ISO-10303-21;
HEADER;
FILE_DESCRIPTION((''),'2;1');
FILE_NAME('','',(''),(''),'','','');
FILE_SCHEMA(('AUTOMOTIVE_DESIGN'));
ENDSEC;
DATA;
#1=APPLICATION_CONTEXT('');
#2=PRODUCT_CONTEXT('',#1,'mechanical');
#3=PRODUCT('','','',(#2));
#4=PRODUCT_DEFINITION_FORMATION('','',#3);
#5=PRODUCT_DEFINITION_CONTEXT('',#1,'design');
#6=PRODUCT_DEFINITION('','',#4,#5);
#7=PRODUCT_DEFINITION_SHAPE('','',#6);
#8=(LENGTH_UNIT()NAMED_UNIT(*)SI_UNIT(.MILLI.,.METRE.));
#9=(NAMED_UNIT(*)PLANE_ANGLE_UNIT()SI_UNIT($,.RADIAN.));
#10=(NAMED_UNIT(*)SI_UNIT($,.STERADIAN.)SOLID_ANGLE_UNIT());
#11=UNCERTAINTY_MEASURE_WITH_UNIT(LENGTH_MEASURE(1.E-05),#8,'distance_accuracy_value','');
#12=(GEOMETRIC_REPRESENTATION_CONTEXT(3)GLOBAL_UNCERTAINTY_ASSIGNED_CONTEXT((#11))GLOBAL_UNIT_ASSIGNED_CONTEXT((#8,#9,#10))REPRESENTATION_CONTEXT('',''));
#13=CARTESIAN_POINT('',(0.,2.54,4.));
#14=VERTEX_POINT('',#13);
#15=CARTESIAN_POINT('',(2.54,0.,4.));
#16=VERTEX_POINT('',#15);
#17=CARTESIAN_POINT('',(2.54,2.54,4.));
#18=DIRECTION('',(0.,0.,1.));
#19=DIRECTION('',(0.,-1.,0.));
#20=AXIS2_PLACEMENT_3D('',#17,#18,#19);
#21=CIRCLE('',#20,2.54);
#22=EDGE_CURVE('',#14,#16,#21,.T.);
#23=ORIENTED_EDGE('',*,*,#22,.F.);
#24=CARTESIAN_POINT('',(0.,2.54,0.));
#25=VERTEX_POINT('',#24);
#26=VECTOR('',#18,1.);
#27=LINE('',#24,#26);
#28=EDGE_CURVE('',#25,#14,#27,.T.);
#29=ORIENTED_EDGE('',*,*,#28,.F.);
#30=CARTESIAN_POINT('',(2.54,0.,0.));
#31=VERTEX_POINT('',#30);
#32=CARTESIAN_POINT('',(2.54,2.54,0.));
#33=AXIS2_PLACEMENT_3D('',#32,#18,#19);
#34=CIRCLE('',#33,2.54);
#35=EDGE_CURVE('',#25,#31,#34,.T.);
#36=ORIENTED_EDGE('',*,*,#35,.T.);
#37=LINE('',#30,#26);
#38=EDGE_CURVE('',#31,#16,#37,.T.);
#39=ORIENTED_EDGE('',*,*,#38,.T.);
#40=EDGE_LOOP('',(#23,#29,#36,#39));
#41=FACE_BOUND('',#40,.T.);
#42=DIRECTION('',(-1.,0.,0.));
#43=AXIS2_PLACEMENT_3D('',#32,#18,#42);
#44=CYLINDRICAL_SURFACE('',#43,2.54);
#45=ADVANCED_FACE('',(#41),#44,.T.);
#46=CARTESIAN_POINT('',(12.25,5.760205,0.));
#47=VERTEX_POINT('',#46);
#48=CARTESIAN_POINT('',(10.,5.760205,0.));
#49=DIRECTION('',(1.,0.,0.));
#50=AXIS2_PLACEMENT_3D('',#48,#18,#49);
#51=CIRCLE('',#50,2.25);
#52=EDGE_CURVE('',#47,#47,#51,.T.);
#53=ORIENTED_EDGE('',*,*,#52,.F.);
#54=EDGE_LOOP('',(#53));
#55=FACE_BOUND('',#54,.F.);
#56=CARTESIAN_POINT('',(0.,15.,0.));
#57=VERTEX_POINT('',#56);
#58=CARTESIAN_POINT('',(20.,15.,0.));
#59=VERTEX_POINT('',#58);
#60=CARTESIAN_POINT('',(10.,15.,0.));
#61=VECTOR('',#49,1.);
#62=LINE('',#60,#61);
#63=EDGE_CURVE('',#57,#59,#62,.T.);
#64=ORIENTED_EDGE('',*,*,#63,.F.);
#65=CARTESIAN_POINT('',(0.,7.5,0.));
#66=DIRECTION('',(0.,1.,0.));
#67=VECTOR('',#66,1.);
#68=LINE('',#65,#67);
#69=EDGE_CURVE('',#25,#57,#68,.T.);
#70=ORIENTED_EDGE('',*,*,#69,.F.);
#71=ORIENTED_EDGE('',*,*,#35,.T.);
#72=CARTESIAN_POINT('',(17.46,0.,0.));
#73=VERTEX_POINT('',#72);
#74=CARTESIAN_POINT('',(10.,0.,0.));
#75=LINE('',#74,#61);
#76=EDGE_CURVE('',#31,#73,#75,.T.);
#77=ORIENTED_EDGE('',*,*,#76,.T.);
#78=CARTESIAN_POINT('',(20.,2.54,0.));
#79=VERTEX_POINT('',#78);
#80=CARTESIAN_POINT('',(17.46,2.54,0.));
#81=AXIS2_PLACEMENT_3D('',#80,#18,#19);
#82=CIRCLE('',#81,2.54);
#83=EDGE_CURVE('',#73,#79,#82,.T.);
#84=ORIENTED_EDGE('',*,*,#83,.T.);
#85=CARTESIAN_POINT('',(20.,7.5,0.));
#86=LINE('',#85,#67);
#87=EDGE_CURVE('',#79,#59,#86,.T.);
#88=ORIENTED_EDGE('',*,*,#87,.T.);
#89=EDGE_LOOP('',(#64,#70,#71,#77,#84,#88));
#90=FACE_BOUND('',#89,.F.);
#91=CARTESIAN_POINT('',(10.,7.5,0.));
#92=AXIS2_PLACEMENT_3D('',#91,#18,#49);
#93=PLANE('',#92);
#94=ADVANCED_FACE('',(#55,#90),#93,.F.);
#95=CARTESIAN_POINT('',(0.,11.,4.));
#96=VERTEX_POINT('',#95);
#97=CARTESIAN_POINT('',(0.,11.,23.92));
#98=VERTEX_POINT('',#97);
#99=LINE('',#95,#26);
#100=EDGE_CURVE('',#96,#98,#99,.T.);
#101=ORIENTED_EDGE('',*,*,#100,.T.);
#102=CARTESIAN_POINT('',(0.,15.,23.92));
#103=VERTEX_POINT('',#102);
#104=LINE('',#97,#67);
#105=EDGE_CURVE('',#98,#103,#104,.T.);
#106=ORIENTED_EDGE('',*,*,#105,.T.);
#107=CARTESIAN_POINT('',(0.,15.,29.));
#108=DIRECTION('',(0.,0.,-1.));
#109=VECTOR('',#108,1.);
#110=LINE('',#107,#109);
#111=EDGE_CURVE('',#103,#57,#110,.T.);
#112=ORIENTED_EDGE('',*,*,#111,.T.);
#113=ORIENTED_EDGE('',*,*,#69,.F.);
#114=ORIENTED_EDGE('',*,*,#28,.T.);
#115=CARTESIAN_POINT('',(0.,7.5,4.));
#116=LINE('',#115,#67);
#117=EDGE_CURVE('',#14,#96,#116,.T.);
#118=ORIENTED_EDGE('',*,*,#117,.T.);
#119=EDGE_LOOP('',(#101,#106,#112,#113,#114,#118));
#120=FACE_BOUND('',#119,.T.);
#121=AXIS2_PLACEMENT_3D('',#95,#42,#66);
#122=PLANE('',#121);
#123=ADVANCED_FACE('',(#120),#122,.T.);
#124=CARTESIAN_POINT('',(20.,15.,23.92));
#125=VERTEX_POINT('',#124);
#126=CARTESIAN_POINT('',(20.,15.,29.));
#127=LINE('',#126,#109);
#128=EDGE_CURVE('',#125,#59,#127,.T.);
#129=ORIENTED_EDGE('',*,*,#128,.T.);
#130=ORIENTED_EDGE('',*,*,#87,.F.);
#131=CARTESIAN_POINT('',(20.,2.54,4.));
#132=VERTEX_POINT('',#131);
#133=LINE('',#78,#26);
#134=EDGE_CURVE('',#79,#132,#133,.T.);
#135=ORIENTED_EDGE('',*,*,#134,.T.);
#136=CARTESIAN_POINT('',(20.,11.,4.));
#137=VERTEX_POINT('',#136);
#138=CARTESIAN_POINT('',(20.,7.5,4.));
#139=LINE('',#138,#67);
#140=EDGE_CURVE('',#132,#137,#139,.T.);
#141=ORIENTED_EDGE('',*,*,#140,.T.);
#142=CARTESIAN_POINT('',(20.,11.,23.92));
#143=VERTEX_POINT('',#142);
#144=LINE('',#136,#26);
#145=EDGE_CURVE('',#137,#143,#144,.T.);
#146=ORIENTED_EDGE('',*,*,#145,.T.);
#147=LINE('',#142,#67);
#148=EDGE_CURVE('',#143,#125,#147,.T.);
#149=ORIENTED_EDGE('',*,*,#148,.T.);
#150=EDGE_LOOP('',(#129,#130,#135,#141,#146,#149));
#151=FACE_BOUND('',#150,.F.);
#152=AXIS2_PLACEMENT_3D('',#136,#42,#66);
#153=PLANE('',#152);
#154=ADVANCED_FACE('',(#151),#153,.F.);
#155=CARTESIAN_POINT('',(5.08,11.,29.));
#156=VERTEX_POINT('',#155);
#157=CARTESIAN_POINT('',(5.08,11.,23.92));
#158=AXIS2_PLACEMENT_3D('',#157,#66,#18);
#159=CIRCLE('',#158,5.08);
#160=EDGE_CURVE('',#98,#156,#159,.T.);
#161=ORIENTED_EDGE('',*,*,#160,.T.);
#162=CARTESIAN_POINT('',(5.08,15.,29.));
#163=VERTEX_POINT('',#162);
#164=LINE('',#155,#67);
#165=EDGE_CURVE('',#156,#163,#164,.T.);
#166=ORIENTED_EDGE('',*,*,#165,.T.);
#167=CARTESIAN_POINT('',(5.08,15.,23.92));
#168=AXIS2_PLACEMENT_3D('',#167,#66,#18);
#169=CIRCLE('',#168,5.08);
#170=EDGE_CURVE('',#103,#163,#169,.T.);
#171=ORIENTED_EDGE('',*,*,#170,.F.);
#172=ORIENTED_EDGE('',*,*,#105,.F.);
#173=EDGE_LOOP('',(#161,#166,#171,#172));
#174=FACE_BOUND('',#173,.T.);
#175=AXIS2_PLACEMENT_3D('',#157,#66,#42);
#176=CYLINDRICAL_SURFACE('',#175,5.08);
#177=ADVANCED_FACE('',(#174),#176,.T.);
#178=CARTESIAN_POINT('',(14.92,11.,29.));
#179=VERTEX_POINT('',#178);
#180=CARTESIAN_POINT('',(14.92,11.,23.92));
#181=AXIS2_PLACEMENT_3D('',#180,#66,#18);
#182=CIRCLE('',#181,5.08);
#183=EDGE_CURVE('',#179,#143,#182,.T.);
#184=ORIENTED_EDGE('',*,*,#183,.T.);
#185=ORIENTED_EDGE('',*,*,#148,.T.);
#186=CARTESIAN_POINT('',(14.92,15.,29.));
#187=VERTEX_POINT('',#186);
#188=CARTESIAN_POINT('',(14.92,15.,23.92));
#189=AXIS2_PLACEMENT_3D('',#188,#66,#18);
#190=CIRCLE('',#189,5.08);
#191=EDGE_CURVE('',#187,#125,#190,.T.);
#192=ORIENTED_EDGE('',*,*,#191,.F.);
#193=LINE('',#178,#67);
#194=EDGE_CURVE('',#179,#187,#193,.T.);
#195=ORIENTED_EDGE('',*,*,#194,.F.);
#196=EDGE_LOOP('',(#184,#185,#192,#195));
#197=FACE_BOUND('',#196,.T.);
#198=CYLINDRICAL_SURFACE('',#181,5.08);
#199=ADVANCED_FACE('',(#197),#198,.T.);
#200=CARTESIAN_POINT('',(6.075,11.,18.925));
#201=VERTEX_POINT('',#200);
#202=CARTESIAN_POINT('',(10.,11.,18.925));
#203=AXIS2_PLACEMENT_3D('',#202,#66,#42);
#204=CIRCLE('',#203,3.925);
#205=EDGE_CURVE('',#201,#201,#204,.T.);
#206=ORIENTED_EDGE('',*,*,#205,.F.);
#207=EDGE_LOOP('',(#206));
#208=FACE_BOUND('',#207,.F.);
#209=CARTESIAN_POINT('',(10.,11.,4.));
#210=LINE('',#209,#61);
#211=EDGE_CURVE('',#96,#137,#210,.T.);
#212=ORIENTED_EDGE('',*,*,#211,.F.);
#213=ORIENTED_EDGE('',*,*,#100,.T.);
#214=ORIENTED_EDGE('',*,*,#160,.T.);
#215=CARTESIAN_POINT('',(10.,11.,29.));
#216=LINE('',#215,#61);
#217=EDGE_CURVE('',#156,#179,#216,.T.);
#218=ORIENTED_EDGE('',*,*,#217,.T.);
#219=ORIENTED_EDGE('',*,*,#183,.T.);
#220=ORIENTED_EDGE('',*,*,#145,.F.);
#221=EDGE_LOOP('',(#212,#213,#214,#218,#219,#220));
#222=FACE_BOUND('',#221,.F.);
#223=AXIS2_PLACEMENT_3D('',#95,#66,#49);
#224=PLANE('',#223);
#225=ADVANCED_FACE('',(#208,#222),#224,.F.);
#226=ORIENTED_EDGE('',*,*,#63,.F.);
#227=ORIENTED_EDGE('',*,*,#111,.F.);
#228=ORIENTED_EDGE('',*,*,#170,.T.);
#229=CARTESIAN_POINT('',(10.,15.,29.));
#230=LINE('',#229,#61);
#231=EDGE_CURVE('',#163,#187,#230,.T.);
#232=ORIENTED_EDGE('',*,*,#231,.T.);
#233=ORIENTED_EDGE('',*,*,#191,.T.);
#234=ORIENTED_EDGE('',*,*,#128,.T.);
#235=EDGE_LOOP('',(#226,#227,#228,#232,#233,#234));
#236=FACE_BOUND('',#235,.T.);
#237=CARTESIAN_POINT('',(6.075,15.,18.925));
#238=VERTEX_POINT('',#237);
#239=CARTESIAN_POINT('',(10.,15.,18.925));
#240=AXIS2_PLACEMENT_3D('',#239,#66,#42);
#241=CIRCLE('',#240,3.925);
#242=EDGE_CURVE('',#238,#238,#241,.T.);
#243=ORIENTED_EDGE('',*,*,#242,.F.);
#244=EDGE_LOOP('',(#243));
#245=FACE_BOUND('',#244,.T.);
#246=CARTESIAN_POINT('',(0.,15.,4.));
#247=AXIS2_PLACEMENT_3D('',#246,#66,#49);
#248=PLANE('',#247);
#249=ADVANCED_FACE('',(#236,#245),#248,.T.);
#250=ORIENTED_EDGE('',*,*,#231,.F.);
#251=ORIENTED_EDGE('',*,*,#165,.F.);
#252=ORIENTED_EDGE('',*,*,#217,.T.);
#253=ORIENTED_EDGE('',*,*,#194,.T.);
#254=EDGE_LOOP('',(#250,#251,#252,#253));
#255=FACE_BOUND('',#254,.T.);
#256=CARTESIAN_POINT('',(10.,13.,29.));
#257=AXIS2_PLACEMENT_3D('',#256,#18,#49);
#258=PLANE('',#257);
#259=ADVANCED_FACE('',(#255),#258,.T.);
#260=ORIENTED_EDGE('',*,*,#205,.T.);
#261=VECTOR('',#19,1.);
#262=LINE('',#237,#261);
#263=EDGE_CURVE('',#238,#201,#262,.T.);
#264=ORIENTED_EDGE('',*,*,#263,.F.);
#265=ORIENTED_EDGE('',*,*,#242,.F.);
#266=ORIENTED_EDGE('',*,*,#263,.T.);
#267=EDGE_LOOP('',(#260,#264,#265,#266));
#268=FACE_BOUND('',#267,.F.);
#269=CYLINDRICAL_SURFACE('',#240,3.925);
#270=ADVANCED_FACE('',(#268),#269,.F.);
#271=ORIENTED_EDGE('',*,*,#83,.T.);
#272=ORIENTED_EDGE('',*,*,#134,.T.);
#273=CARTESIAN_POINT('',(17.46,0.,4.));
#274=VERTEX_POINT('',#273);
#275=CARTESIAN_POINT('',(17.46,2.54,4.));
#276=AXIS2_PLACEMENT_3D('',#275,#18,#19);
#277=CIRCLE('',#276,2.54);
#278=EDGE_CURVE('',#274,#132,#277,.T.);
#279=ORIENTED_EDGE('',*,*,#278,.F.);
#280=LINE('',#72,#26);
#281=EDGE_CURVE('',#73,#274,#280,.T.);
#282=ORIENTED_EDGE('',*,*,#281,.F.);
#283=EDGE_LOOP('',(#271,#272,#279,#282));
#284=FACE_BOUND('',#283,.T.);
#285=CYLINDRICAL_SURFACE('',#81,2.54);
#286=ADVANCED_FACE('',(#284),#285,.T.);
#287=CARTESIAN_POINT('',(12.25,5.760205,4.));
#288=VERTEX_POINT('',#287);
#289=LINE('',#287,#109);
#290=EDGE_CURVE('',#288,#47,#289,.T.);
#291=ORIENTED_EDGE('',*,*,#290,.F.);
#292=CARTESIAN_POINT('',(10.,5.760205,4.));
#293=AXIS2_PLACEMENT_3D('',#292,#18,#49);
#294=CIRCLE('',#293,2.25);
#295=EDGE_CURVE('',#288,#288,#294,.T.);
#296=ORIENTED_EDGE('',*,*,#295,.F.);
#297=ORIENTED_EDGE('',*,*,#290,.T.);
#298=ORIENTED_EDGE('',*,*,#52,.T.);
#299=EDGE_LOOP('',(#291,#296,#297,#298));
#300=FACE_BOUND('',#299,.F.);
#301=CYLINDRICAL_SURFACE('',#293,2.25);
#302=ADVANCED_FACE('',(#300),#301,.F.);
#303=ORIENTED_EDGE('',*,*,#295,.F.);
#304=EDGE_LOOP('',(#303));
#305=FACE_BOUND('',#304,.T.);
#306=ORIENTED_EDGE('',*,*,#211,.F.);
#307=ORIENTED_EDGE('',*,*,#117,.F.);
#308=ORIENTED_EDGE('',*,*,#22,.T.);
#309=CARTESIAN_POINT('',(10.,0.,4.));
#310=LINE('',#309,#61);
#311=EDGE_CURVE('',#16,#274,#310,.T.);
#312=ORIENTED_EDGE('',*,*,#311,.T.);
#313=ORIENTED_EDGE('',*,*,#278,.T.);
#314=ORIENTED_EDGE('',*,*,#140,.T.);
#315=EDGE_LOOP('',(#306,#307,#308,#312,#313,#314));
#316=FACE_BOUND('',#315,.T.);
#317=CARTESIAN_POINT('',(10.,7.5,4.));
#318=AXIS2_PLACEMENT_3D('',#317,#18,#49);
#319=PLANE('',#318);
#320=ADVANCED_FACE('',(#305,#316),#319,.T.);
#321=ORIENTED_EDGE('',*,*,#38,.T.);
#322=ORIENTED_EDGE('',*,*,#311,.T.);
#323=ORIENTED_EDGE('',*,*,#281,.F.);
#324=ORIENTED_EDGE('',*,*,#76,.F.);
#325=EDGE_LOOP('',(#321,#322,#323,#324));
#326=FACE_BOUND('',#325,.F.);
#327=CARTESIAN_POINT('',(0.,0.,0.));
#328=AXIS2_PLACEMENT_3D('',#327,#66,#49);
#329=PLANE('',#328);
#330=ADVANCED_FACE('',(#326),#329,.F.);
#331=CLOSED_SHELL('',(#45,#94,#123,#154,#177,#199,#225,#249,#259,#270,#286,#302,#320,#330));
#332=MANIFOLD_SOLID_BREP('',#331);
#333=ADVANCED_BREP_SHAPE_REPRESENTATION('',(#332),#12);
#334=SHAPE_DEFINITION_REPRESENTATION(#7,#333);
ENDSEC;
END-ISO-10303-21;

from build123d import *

# Parameters (mm, degrees)
F0_W     = 20
F0_H     = 15
F1_DEPTH = 4
F2_W     = 20
F2_H     = 4
F3_DEPTH = 25
F4_R     = 2.25
F5_DEPTH = 25.4
F6_R     = 3.925
F7_DEPTH = 25.4
F8_R     = 2.54
F9_R     = 5.08


with BuildPart() as f1:
    # F0 (on Top) → F1 (new body)
    with BuildSketch(Plane.XY):
        with Locations((10, 7.5)):
            Rectangle(F0_W, F0_H)
    extrude(amount=F1_DEPTH)

    # F2 (on face) → F3 (join)
    with BuildSketch(Plane.XY.offset(4)):
        with Locations((10, 13)):
            Rectangle(F2_W, F2_H)
    extrude(amount=F3_DEPTH)

    # F4 (on face) → F5 (cut)
    with BuildSketch(Plane.XY.offset(4)):
        with Locations((10, 5.760205)):
            Circle(F4_R)
    extrude(amount=-F5_DEPTH, mode=Mode.SUBTRACT)

    # F6 (on face) → F7 (cut)
    with BuildSketch(Plane(origin=(0, 15, 0), x_dir=(-1, 0, 0), z_dir=(0, 1, 0))):
        with Locations((-10, 18.925)):
            Circle(F6_R)
    extrude(amount=-F7_DEPTH, mode=Mode.SUBTRACT)

    # F8
    f8_edges = [f1.edges().sort_by_distance(p)[0] for p in [
        (20, 0, 2),
        (0, 0, 2),
    ]]
    fillet(f8_edges, radius=F8_R)

    # F9
    f9_edges = [f1.edges().sort_by_distance(p)[0] for p in [
        (20, 13, 29),
        (0, 13, 29),
    ]]
    fillet(f9_edges, radius=F9_R)


solid = f1.part
